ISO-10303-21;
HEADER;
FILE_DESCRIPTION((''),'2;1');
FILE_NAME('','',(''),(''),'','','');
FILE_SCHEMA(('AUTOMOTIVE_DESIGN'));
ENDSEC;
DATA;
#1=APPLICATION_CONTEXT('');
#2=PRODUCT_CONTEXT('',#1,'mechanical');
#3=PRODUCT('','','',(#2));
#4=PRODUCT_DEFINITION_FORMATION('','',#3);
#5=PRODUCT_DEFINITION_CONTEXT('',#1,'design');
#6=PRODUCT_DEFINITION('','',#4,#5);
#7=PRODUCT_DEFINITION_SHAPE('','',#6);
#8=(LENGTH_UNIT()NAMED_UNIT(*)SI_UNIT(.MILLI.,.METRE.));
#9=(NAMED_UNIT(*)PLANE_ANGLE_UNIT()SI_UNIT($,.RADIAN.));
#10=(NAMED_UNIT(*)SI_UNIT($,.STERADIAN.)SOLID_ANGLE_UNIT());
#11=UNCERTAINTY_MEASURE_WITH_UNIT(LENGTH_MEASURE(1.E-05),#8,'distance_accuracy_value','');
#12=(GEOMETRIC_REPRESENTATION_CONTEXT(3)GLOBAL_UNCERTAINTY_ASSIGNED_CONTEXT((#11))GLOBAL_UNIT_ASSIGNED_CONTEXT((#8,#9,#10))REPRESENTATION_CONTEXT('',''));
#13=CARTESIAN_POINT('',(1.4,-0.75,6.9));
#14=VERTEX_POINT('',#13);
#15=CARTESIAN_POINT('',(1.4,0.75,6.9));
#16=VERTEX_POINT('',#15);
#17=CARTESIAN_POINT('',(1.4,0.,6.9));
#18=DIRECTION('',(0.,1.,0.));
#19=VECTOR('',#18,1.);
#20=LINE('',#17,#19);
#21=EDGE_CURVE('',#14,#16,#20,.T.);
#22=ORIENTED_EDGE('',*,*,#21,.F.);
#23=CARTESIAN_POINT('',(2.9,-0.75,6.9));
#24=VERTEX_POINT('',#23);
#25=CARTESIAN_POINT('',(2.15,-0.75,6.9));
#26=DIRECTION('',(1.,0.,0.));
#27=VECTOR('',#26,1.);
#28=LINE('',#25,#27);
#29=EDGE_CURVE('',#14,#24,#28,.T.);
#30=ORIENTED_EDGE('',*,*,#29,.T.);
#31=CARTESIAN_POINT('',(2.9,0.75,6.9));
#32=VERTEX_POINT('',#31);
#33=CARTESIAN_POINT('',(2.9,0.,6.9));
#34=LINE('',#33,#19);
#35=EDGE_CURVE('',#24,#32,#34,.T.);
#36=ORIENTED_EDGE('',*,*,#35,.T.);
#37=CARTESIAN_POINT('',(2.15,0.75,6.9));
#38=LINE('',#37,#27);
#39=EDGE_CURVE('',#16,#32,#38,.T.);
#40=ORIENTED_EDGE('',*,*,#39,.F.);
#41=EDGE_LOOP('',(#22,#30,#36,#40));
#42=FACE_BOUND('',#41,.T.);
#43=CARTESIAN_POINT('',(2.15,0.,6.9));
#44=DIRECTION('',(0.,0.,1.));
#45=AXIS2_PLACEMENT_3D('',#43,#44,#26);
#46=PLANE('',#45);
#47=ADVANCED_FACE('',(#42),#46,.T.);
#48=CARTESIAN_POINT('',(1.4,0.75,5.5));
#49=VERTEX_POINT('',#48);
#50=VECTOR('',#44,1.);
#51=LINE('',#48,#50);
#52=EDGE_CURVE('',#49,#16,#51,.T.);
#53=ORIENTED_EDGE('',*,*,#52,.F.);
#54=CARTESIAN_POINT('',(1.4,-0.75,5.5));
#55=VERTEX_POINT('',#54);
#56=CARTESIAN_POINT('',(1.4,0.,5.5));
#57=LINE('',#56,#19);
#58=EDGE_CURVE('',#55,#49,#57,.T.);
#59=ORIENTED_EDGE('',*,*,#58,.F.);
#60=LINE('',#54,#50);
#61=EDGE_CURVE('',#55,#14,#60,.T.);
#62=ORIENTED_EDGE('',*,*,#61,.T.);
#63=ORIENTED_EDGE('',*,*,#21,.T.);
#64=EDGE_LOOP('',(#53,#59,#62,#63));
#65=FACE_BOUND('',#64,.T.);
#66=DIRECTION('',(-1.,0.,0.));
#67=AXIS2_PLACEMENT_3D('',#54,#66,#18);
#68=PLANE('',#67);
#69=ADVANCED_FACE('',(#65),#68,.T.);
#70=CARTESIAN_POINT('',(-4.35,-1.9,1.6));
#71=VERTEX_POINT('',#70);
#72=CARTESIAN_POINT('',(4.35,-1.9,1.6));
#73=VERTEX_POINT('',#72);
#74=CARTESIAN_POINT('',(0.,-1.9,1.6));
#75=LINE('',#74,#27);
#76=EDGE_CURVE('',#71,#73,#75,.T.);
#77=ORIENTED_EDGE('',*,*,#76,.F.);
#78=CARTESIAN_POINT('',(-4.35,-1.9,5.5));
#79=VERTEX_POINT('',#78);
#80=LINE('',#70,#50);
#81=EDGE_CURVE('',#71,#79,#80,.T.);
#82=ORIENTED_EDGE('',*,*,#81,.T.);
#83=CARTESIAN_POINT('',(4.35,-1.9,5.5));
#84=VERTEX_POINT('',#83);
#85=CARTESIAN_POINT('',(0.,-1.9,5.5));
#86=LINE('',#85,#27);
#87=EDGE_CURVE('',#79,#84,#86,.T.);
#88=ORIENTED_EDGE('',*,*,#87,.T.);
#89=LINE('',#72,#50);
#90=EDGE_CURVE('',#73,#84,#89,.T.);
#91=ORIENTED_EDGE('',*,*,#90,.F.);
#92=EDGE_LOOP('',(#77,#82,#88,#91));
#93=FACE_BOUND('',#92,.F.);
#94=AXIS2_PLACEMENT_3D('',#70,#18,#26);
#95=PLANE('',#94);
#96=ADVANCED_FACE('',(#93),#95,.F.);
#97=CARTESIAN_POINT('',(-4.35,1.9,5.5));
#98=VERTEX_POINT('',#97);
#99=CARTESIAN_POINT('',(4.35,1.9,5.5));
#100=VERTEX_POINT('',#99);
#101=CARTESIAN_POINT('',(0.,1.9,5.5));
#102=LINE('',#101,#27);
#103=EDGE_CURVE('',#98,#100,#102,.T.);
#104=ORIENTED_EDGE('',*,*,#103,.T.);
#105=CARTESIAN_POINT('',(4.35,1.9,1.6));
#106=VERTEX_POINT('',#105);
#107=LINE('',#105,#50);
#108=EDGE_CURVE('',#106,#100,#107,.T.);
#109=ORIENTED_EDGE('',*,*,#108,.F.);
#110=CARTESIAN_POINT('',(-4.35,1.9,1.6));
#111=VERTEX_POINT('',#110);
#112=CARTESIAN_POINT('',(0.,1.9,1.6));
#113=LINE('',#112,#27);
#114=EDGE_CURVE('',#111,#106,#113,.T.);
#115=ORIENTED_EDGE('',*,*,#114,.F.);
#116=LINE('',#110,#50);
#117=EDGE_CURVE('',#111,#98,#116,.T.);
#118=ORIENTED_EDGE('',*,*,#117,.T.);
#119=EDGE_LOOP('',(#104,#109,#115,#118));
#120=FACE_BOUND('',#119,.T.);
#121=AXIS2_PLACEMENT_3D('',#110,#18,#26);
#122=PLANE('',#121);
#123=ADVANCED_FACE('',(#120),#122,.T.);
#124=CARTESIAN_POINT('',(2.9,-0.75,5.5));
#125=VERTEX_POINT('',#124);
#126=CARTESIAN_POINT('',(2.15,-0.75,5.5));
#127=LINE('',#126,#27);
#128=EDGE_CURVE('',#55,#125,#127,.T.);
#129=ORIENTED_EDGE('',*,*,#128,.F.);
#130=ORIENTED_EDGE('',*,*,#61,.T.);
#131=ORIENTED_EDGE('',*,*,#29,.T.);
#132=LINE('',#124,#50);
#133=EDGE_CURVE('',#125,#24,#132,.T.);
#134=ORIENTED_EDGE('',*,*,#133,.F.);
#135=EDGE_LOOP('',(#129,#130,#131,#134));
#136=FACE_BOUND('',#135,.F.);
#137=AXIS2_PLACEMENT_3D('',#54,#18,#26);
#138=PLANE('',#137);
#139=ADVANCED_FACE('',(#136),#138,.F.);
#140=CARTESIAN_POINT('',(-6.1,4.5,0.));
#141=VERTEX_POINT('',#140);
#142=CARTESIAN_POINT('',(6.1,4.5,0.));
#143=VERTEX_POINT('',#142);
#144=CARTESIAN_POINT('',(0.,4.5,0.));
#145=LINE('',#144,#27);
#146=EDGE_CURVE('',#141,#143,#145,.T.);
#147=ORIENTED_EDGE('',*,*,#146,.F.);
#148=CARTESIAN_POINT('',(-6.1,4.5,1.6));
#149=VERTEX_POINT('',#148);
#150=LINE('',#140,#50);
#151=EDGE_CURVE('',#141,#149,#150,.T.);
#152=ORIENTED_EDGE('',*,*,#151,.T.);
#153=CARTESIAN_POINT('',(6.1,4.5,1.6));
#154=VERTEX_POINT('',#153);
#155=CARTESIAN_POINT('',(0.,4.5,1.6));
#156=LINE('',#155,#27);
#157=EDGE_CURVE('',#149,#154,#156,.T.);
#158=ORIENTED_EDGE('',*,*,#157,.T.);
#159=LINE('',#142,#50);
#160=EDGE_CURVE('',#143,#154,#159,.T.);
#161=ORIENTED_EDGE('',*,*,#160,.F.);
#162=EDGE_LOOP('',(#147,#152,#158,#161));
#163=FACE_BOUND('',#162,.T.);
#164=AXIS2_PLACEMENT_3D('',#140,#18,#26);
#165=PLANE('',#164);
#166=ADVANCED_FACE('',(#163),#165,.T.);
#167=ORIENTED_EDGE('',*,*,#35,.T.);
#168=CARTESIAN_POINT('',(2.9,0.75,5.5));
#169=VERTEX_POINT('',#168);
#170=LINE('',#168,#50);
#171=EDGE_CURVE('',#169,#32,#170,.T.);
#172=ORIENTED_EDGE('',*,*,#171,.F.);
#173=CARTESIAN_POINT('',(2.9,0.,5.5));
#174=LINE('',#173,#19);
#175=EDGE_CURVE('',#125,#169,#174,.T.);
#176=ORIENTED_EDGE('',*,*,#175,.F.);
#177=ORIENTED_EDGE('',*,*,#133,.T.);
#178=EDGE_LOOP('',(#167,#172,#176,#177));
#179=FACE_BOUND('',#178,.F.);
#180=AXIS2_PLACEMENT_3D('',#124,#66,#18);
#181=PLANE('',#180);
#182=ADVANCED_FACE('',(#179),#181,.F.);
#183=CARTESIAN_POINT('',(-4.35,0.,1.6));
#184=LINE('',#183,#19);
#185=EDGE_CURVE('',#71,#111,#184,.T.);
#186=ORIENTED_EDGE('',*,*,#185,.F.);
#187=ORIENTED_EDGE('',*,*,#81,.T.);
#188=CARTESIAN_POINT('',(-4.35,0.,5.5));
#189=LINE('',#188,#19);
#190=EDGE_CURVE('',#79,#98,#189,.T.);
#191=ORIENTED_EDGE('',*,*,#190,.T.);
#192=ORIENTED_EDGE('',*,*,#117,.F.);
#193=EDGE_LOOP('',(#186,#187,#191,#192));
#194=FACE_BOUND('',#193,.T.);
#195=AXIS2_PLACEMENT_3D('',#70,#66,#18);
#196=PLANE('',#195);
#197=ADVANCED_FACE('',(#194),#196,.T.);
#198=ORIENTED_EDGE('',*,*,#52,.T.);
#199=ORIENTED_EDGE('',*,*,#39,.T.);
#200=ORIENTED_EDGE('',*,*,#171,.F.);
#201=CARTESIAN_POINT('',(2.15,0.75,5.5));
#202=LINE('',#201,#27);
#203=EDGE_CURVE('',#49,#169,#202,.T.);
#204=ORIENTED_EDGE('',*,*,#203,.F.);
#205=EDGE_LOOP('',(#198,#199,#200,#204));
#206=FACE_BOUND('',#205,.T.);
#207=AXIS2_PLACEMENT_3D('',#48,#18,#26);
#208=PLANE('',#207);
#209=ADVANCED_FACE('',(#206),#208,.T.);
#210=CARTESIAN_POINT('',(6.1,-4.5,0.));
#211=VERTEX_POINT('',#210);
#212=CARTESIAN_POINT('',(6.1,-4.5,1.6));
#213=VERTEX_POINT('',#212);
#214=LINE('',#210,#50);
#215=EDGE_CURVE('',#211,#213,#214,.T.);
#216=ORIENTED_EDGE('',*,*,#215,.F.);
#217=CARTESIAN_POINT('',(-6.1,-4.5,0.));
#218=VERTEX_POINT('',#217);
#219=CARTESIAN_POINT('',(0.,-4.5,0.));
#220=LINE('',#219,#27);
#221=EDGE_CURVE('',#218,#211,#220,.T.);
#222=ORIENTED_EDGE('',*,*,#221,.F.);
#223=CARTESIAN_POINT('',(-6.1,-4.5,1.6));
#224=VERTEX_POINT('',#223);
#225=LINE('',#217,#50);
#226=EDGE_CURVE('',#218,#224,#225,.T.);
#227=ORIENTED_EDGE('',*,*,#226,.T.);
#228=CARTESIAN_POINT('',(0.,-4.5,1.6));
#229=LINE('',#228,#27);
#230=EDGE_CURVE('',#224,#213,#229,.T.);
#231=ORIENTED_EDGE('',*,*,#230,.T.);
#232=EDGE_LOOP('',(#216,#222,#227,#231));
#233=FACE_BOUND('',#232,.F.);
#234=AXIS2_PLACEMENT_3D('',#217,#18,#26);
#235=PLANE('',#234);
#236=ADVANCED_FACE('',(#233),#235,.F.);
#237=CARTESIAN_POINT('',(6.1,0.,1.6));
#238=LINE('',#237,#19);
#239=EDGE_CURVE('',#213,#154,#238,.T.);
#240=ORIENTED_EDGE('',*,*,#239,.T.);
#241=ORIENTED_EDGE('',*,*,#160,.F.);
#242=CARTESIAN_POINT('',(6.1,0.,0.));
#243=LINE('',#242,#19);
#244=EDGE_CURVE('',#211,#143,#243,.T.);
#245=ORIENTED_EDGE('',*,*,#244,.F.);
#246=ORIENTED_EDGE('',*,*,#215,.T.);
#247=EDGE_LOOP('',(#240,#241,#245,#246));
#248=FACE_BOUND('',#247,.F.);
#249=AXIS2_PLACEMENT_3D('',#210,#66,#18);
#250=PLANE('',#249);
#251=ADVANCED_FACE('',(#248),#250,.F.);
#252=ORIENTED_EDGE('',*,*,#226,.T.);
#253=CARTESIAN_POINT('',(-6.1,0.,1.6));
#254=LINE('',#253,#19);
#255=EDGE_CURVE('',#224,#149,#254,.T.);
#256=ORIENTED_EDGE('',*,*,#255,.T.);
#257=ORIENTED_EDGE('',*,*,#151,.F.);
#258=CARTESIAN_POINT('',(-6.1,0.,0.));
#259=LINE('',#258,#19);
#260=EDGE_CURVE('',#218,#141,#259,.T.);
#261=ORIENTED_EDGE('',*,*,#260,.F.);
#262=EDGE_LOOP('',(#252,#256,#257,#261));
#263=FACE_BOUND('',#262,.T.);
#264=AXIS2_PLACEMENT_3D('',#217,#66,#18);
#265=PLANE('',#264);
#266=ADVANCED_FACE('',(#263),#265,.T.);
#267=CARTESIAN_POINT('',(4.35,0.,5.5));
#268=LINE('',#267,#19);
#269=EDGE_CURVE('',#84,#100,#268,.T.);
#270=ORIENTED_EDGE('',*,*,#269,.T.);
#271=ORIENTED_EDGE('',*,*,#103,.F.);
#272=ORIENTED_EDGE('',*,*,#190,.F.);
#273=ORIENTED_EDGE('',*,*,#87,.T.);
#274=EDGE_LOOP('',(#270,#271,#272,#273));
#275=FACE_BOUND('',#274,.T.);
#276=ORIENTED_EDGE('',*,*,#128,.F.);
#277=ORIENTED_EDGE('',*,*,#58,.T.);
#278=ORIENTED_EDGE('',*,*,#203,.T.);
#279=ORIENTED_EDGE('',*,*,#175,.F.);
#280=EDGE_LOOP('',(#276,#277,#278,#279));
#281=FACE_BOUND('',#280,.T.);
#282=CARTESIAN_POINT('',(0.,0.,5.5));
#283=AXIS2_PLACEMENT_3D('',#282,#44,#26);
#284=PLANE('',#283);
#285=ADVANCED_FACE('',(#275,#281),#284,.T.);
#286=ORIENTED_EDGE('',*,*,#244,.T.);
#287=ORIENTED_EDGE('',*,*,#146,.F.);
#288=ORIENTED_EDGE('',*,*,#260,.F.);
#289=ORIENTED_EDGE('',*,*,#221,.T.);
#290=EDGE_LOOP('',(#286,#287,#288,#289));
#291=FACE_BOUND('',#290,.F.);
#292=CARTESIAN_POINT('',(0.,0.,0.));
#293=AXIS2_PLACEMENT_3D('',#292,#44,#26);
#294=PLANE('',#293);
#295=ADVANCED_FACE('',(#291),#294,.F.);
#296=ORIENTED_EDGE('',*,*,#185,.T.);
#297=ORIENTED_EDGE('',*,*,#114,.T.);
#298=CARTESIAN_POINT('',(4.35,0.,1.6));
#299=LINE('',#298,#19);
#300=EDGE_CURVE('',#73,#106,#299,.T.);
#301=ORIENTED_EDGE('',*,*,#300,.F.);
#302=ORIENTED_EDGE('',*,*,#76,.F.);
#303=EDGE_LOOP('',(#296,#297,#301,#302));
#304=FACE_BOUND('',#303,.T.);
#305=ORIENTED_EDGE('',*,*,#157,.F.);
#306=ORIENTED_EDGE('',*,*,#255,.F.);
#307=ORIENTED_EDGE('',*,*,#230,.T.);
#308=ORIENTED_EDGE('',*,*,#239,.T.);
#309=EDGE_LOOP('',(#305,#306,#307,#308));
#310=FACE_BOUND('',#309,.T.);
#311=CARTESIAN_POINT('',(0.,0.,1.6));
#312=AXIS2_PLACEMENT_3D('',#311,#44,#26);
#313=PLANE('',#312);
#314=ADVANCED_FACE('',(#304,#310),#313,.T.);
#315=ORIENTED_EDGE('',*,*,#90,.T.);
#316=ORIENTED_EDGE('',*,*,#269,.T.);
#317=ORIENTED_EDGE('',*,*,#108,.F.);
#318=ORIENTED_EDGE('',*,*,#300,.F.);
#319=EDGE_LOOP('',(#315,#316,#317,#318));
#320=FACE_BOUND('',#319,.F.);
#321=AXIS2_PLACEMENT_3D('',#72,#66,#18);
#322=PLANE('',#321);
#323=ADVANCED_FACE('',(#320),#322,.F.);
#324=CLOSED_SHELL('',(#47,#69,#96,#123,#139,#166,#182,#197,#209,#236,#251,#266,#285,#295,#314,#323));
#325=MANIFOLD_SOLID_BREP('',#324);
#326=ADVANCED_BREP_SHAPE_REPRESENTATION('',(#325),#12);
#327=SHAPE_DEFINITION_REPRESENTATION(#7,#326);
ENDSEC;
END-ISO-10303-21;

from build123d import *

# Parameters (mm, degrees)
SKETCH_W     = 12.2
SKETCH_H     = 9
PAD_DEPTH    = 1.6
SKETCH001_W  = 8.7
SKETCH001_H  = 3.8
PAD001_DEPTH = 3.9
SKETCH002_W  = 1.5
SKETCH002_H  = 1.5
PAD002_DEPTH = 1.4


with BuildPart() as part:
    # Sketch → Pad (new body)
    with BuildSketch(Plane.XY):
        Rectangle(SKETCH_W, SKETCH_H)
    extrude(amount=PAD_DEPTH)

    # Sketch001 → Pad001 (new body)
    with BuildSketch(Plane.XY.offset(1.6)):
        Rectangle(SKETCH001_W, SKETCH001_H)
    extrude(amount=PAD001_DEPTH)

    # Sketch002 → Pad002 (new body)
    with BuildSketch(Plane.XY.offset(5.5)):
        with Locations((2.15, 0)):
            Rectangle(SKETCH002_W, SKETCH002_H)
    extrude(amount=PAD002_DEPTH)


solid = part.part
